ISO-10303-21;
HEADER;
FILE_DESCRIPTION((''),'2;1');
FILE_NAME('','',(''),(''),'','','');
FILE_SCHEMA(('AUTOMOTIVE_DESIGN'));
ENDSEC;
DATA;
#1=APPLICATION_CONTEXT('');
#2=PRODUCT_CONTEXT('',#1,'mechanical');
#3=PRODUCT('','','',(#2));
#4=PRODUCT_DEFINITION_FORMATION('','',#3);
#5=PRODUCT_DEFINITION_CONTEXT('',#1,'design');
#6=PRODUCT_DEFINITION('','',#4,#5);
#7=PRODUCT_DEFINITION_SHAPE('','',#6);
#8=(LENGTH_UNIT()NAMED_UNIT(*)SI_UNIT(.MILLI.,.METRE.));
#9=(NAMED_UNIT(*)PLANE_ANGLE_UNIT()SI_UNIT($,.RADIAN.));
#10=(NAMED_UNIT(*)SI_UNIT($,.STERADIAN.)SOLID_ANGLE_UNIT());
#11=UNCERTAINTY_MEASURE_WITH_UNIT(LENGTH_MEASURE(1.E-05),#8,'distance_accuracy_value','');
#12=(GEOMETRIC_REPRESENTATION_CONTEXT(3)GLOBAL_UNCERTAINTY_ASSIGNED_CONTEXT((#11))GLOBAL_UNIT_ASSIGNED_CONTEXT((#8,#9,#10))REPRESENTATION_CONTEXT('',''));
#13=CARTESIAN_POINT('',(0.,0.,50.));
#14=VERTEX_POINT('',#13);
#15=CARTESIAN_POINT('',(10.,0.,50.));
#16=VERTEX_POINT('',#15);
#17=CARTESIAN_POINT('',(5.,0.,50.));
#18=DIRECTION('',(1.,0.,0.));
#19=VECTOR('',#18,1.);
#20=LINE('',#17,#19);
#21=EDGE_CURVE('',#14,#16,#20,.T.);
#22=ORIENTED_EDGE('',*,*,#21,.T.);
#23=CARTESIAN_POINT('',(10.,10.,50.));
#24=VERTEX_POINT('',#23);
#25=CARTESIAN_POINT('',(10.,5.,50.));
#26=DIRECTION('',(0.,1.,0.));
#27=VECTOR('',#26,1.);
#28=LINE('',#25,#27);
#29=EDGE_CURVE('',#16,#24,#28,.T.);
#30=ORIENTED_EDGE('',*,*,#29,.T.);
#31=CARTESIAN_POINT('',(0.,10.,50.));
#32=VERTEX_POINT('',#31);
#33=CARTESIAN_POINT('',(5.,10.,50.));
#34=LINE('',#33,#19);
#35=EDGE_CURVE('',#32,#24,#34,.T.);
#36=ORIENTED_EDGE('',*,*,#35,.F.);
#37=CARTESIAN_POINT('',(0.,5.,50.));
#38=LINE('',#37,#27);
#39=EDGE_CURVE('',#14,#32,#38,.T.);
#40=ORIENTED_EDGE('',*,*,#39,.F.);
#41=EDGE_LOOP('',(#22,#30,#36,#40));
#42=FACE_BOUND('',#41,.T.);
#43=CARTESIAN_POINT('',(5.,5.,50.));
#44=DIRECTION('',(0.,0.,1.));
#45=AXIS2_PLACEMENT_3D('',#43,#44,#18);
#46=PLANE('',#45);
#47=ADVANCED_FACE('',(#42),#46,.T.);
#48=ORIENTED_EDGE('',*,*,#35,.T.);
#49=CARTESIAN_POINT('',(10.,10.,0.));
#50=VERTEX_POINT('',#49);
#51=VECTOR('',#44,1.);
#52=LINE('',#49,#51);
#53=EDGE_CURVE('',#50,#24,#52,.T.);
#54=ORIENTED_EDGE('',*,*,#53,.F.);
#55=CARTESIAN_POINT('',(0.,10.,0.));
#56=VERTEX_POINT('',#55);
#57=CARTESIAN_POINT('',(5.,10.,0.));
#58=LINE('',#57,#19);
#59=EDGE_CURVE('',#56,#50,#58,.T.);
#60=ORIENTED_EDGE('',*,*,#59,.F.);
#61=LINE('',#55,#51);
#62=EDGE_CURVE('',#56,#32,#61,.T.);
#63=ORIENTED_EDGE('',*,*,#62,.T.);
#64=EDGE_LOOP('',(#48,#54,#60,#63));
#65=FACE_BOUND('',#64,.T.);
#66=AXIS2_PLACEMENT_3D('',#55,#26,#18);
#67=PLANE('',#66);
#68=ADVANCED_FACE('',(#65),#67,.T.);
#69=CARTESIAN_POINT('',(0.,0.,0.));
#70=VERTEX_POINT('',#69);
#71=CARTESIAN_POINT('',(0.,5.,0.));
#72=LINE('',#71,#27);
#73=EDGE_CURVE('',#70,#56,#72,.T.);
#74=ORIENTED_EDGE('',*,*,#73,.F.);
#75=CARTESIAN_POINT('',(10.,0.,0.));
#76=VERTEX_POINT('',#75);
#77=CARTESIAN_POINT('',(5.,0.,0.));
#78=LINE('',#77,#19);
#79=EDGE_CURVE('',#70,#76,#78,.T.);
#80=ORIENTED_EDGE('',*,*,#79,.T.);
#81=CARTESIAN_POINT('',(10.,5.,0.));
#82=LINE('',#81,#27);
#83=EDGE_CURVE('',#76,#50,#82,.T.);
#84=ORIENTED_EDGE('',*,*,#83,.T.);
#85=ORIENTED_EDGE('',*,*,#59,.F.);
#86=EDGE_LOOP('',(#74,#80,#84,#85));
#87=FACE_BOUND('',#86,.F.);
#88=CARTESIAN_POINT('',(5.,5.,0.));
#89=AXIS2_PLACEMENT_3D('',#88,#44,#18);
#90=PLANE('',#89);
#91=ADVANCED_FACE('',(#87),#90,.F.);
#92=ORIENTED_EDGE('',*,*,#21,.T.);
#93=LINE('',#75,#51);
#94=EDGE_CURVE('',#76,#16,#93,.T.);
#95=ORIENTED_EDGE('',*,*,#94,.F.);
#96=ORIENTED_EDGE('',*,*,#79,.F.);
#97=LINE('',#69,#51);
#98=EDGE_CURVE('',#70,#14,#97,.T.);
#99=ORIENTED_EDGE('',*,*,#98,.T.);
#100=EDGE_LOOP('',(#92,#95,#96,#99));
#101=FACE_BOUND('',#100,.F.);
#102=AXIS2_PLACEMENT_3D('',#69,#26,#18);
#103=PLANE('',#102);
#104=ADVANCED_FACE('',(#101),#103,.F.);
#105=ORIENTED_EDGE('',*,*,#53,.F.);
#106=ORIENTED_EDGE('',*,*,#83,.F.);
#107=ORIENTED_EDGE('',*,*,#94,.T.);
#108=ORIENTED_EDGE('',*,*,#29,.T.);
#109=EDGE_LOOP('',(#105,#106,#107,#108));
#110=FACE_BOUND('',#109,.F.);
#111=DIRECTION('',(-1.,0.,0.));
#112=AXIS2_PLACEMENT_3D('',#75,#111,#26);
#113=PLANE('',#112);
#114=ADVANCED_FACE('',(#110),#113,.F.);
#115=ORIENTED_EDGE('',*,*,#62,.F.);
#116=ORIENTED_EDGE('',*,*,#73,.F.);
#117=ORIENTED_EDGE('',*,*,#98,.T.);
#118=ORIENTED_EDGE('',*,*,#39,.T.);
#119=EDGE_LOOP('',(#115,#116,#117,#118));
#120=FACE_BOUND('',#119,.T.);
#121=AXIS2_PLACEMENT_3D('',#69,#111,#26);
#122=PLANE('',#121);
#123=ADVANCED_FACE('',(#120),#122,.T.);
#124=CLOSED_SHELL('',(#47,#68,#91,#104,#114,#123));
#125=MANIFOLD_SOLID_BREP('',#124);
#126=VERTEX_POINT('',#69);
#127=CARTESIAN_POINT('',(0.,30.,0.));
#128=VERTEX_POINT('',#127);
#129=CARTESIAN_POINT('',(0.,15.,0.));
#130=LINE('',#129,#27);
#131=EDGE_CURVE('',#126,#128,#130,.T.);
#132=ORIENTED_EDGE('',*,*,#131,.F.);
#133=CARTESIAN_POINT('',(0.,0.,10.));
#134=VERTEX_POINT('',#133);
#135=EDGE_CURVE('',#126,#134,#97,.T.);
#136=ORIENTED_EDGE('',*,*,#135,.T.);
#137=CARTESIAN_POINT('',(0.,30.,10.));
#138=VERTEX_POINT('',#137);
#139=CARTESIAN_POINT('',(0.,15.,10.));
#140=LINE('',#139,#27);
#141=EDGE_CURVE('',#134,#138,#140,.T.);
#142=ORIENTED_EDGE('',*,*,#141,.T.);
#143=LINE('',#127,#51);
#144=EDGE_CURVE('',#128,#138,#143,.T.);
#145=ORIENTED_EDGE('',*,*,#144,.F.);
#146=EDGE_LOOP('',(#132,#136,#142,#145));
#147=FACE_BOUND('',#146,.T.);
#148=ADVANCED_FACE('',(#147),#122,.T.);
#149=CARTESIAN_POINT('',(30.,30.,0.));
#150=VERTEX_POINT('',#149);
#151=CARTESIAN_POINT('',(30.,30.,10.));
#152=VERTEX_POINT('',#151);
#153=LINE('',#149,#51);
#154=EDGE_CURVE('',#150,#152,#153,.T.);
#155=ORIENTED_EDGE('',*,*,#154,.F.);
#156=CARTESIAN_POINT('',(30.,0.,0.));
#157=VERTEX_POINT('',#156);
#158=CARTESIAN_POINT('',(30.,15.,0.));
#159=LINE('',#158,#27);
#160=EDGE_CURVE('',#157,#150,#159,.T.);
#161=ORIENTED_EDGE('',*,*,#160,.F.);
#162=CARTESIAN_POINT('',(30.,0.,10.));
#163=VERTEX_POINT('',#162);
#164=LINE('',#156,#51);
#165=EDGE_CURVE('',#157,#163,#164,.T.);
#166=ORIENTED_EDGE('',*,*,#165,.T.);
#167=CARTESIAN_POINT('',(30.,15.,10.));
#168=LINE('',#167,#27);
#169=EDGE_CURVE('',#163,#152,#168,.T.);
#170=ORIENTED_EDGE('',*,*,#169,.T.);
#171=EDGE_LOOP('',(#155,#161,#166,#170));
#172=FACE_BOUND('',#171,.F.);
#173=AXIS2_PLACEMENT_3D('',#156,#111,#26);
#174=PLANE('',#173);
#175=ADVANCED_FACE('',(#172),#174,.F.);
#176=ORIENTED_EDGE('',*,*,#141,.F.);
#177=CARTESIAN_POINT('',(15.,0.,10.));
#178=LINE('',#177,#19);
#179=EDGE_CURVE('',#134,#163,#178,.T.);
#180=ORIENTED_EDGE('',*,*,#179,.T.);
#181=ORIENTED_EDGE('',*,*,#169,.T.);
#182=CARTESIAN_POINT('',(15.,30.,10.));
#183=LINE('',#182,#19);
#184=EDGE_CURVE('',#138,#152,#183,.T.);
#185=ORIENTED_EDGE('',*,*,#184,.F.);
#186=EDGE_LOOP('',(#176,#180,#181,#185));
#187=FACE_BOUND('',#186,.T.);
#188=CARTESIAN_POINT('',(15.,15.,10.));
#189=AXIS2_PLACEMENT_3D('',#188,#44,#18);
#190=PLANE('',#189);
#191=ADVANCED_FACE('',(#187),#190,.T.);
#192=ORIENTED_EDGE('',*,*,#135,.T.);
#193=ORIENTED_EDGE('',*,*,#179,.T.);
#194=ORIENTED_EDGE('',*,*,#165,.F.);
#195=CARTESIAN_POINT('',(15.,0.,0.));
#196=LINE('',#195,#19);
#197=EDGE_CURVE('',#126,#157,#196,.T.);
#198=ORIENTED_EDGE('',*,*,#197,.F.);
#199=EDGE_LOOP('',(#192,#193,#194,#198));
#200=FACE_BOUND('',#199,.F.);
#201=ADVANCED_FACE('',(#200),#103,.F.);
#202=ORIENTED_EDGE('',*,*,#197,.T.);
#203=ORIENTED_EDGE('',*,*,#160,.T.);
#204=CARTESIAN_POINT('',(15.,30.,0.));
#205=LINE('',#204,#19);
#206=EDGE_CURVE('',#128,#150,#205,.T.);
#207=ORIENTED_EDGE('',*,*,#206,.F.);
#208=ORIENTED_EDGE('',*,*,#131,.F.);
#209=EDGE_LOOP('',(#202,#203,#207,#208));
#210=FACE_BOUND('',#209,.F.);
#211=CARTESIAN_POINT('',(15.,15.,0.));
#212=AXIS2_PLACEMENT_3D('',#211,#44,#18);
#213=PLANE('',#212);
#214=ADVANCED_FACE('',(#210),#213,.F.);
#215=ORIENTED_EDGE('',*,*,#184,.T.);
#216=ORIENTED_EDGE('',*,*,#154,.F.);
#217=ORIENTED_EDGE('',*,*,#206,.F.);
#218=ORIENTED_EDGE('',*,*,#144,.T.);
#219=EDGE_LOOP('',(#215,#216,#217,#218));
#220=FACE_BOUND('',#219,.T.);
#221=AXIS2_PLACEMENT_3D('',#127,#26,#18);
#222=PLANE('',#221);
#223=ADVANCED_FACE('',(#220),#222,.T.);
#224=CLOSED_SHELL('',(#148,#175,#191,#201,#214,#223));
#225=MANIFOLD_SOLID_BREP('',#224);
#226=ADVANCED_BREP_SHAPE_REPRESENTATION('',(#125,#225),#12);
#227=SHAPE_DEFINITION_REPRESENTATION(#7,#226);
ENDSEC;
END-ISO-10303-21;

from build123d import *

# Parameters (mm, degrees)
BOX_W        = 30
BOX_H        = 30
BOX_DEPTH    = 10
BOX001_W     = 10
BOX001_H     = 10
BOX001_DEPTH = 50


with BuildPart() as box:
    # Box → Box (new body)
    with BuildSketch(Plane.XY):
        with Locations((15, 15)):
            Rectangle(BOX_W, BOX_H)
    extrude(amount=BOX_DEPTH)


with BuildPart() as box001:
    # Box001 → Box001 (new body)
    with BuildSketch(Plane.XY):
        with Locations((5, 5)):
            Rectangle(BOX001_W, BOX001_H)
    extrude(amount=BOX001_DEPTH)


solid = Compound([box.part, box001.part])
